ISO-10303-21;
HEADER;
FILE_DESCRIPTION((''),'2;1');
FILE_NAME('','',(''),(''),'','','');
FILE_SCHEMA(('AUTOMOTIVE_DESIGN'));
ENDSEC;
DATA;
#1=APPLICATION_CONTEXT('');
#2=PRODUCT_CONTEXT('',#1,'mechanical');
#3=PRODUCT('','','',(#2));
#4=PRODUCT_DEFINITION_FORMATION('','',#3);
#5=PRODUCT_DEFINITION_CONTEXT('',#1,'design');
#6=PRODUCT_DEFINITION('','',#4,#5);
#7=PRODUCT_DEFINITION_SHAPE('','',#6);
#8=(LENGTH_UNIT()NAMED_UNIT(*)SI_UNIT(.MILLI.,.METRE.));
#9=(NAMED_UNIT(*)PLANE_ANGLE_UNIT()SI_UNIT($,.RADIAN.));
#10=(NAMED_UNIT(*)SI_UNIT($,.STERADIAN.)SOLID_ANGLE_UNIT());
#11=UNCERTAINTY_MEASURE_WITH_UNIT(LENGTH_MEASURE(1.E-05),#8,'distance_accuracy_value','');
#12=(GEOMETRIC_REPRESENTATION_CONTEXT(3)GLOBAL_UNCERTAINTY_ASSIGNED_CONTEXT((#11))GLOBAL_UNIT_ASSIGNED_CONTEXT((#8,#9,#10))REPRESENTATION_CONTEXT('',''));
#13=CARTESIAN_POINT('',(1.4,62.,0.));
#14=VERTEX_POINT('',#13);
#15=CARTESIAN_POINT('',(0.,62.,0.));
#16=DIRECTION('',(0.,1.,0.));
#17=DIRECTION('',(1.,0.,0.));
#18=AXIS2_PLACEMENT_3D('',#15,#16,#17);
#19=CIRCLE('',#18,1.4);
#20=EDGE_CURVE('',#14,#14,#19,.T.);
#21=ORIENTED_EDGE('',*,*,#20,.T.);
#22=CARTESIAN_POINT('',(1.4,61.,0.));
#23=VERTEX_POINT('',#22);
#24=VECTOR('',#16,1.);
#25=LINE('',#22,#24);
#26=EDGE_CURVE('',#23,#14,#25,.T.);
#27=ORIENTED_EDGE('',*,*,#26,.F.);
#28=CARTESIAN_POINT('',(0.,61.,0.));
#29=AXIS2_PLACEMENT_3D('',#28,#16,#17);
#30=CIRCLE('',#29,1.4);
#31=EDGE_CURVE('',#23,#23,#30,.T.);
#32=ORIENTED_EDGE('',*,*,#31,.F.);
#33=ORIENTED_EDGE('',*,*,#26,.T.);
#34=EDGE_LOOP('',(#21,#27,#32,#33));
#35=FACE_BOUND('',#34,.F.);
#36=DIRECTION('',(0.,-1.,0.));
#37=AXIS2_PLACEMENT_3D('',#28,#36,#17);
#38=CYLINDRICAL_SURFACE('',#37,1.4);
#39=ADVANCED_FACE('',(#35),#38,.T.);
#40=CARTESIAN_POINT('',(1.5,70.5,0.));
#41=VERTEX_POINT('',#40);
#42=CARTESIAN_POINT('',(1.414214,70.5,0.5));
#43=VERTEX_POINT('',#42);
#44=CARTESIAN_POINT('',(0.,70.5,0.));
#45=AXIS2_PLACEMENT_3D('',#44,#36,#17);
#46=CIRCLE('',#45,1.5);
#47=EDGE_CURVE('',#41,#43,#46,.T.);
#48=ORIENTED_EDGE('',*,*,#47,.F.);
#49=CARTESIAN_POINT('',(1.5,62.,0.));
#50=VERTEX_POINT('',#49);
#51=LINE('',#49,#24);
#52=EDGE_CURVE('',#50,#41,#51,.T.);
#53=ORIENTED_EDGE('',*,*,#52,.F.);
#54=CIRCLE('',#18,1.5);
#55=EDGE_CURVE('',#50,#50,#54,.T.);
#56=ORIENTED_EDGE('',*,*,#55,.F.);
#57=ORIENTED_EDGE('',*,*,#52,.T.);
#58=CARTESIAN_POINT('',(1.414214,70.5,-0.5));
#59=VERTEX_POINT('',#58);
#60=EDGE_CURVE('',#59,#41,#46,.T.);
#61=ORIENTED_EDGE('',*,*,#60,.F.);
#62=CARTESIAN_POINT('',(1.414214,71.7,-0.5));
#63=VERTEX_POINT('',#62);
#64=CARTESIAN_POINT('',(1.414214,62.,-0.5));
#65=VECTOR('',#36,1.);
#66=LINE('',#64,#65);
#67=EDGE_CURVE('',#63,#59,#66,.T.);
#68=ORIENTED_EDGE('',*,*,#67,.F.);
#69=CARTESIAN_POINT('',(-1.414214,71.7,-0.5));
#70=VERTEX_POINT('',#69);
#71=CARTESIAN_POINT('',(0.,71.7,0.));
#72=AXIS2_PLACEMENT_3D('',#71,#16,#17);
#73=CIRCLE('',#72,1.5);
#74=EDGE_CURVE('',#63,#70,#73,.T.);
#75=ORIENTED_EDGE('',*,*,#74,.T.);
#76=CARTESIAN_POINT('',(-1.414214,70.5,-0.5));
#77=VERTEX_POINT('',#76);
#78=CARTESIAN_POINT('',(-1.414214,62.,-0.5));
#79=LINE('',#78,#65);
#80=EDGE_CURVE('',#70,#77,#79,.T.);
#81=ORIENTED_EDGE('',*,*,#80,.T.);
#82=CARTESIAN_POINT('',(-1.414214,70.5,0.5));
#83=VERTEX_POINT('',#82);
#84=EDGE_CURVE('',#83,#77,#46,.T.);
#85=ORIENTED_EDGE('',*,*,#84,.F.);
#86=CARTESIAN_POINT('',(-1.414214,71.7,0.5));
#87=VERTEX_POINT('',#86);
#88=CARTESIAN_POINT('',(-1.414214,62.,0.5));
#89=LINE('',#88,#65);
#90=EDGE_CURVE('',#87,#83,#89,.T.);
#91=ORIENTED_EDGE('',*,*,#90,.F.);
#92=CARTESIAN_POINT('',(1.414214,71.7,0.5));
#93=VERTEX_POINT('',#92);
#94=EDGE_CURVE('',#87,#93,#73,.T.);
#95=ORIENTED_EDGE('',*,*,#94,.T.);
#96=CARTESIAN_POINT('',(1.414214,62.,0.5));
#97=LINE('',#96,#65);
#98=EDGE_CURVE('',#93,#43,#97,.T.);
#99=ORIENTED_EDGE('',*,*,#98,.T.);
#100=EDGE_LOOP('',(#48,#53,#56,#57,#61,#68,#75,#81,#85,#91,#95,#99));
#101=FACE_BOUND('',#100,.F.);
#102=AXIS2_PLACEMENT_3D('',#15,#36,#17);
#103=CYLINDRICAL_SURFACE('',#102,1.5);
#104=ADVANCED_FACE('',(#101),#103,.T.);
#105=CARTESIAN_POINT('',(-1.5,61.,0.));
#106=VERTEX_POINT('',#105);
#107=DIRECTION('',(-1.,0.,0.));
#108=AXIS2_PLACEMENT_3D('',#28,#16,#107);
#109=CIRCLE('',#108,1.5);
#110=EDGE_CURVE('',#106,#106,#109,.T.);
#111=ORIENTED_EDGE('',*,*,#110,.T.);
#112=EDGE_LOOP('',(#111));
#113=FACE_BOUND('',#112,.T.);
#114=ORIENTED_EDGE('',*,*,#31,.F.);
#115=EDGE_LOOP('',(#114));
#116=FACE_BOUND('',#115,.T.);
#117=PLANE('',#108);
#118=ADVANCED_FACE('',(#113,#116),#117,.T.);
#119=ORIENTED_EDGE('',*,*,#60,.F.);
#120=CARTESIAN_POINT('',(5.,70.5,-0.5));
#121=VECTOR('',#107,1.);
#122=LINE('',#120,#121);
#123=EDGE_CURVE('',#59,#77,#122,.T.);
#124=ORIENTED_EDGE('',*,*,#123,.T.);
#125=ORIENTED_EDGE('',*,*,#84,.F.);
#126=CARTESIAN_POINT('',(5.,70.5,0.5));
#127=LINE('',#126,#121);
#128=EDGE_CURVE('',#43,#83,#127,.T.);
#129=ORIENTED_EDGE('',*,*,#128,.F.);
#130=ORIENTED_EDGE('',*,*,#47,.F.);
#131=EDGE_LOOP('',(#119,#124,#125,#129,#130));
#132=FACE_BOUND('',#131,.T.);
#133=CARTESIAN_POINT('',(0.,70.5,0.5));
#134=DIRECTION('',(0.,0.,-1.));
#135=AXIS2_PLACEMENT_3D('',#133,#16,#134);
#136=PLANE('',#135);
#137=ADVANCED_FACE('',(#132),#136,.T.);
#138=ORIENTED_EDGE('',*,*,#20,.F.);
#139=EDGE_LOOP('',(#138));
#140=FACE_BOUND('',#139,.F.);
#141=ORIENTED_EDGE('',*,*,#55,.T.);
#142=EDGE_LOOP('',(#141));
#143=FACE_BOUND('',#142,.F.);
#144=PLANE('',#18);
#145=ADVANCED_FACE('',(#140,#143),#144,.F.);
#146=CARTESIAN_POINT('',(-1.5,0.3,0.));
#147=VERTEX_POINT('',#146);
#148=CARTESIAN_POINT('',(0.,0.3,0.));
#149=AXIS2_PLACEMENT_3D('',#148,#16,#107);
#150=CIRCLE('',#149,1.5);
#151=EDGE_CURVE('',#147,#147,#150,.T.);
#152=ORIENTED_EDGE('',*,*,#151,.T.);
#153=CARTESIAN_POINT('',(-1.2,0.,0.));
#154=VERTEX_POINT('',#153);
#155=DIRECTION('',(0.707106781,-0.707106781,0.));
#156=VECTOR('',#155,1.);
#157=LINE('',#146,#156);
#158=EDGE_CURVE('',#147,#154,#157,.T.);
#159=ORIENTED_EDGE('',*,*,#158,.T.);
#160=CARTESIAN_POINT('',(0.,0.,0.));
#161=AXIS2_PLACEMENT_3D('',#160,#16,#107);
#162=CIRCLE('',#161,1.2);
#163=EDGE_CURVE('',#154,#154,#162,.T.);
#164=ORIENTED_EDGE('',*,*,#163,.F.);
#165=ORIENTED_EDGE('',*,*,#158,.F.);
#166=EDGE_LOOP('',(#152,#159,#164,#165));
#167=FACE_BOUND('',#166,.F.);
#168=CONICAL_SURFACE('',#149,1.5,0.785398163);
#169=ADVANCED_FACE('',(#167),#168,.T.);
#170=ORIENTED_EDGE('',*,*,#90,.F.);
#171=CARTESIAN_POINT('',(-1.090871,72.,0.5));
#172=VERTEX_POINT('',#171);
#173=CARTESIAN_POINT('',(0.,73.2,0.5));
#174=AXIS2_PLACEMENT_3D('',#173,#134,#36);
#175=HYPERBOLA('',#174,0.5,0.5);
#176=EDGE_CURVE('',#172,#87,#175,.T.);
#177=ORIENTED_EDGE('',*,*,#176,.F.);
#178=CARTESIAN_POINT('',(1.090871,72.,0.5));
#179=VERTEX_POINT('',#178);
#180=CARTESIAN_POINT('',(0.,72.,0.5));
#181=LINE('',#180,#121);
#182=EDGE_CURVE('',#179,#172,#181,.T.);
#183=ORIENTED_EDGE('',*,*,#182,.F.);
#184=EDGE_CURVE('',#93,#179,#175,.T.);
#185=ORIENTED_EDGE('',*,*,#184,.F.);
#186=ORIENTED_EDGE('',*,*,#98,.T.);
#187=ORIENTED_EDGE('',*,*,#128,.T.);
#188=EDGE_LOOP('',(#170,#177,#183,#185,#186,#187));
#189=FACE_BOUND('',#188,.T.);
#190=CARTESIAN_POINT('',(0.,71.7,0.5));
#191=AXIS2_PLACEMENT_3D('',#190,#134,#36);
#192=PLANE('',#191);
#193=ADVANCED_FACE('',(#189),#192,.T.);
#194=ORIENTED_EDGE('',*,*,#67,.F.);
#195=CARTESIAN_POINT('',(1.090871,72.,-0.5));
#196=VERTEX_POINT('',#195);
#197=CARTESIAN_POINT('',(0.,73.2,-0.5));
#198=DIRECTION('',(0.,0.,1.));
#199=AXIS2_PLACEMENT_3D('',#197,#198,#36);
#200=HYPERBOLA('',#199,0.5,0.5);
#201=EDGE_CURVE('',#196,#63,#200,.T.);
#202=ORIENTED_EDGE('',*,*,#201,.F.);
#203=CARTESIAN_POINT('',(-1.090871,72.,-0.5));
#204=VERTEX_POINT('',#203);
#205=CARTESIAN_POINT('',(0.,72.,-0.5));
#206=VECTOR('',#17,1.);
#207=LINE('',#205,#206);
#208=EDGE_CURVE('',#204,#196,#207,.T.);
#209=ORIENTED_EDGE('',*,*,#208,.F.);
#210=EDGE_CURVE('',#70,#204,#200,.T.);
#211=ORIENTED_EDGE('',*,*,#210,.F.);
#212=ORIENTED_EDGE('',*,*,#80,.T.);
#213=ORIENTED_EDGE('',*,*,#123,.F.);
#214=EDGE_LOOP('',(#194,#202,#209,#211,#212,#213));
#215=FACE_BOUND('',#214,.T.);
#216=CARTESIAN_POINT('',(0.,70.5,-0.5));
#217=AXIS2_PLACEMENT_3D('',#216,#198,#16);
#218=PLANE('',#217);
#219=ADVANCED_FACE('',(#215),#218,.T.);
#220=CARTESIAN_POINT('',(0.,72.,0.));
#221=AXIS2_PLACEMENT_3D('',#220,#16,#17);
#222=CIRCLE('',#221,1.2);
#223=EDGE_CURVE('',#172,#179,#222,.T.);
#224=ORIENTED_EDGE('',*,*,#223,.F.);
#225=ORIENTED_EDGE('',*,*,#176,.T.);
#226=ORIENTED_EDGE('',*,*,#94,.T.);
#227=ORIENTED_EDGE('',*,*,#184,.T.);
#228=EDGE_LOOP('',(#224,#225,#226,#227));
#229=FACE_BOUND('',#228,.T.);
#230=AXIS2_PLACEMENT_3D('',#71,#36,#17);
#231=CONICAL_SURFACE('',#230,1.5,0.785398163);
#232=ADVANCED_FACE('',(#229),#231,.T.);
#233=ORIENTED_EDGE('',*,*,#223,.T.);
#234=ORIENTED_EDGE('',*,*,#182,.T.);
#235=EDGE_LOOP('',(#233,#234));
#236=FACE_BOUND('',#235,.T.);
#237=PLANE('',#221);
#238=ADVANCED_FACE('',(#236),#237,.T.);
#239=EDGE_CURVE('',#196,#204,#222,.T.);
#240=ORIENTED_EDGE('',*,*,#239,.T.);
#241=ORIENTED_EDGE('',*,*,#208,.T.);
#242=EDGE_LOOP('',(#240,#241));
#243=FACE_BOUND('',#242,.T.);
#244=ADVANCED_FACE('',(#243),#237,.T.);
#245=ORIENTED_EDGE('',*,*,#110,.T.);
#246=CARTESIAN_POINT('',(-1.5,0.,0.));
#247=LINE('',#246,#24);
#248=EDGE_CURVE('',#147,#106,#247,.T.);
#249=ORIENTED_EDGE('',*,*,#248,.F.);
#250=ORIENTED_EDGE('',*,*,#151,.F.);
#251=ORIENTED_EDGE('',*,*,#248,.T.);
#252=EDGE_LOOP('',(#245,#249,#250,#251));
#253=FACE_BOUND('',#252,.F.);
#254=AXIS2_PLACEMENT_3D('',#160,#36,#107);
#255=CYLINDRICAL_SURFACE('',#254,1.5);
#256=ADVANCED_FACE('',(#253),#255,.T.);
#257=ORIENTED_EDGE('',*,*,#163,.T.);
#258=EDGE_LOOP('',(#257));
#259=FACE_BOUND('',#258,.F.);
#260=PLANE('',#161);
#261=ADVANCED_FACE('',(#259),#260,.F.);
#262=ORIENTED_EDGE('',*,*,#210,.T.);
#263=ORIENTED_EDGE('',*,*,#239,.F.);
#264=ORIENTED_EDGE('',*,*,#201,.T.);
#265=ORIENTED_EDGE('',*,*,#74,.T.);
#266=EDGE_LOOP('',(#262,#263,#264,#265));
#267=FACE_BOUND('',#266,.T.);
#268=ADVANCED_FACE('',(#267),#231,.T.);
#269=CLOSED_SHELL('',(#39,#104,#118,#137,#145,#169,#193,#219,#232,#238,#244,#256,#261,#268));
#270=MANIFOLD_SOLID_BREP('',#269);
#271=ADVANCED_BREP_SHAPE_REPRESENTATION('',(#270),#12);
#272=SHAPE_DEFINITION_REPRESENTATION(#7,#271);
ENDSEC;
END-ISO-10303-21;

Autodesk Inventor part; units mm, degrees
ref_plane "YZ Plane" through (0, 0, 0) normal (1, 0, 0) x (0, 1, 0)
ref_plane "XZ Plane" through (0, 0, 0) normal (0, 1, 0) x (-1, 0, 0)
ref_plane "XY Plane" through (0, 0, 0) normal (0, 0, 1) x (1, 0, 0)
sketch "Sketch1" plane through (0, 0, 0) normal (0, 1, 0) x (-1, 0, 0)
  circle A0 centre (0, 0) radius 1.5
  dimension "d0" = 3
extrude "Extrusion1" add sketch "Sketch1" along normal blind 61
sketch "Sketch2" plane through (0, 61, 0) normal (0, 1, 0) x (1, 0, 0)
  circle A0 centre (0, 0) radius 1.4
  dimension "d3" = 2.8
extrude "Extrusion2" add sketch "Sketch2" along normal blind 1
sketch "Sketch3" plane through (0, 62, 0) normal (0, 1, 0) x (1, 0, 0)
  circle A0 centre (0, 0) radius 1.5
  dimension "d6" = 3
extrude "Extrusion3" add sketch "Sketch3" along normal blind 10
thread "Thread1" size "M3x0.5" class "6g" standard "ANSI Metric M Profile" full length
chamfer "Chamfer1" distance 0.3 angle 45 1 edges at (-1.5, 72, 0)
chamfer "Chamfer2" distance 0.3 angle 45 1 edges at (1.5, 0, 0)
sketch "Sketch4" plane through (0, 0, 0) normal (1, 0, 0) x (0, 1, 0)
  line L0 (62, -1.5) -> (62, 1.5) projected
  line L1 (71.7, -1.5) -> (71.7, 1.5) projected
  line L2 (71.7, -1.5) -> (71.7, 1.5) projected
  line L3 (72, 1.2) -> (72, -1.2) projected
  line L4 (73.5, 0.5) -> (70.5, 0.5)
  line L5 (70.5, 0.5) -> (70.5, -0.5)
  line L6 (70.5, -0.5) -> (73.5, -0.5)
  line L7 (73.5, -0.5) -> (73.5, 0.5)
  line L8 (72, 1.2) -> (72, -1.2) projected
  line L9 (73.5, 0.5) -> (70.5, -0.5) construction
  line L10 (70.5, 0.5) -> (73.5, -0.5) construction
  point P0 (0, 0)
  point P1 (72, 0)
  dimension "d17" = 3
  dimension "d18" = 1
extrude "Extrusion4" cut sketch "Sketch4" along normal mid plane 10
properties part number "wał_prowadzący_hamulca" material "Aluminum 6061"
